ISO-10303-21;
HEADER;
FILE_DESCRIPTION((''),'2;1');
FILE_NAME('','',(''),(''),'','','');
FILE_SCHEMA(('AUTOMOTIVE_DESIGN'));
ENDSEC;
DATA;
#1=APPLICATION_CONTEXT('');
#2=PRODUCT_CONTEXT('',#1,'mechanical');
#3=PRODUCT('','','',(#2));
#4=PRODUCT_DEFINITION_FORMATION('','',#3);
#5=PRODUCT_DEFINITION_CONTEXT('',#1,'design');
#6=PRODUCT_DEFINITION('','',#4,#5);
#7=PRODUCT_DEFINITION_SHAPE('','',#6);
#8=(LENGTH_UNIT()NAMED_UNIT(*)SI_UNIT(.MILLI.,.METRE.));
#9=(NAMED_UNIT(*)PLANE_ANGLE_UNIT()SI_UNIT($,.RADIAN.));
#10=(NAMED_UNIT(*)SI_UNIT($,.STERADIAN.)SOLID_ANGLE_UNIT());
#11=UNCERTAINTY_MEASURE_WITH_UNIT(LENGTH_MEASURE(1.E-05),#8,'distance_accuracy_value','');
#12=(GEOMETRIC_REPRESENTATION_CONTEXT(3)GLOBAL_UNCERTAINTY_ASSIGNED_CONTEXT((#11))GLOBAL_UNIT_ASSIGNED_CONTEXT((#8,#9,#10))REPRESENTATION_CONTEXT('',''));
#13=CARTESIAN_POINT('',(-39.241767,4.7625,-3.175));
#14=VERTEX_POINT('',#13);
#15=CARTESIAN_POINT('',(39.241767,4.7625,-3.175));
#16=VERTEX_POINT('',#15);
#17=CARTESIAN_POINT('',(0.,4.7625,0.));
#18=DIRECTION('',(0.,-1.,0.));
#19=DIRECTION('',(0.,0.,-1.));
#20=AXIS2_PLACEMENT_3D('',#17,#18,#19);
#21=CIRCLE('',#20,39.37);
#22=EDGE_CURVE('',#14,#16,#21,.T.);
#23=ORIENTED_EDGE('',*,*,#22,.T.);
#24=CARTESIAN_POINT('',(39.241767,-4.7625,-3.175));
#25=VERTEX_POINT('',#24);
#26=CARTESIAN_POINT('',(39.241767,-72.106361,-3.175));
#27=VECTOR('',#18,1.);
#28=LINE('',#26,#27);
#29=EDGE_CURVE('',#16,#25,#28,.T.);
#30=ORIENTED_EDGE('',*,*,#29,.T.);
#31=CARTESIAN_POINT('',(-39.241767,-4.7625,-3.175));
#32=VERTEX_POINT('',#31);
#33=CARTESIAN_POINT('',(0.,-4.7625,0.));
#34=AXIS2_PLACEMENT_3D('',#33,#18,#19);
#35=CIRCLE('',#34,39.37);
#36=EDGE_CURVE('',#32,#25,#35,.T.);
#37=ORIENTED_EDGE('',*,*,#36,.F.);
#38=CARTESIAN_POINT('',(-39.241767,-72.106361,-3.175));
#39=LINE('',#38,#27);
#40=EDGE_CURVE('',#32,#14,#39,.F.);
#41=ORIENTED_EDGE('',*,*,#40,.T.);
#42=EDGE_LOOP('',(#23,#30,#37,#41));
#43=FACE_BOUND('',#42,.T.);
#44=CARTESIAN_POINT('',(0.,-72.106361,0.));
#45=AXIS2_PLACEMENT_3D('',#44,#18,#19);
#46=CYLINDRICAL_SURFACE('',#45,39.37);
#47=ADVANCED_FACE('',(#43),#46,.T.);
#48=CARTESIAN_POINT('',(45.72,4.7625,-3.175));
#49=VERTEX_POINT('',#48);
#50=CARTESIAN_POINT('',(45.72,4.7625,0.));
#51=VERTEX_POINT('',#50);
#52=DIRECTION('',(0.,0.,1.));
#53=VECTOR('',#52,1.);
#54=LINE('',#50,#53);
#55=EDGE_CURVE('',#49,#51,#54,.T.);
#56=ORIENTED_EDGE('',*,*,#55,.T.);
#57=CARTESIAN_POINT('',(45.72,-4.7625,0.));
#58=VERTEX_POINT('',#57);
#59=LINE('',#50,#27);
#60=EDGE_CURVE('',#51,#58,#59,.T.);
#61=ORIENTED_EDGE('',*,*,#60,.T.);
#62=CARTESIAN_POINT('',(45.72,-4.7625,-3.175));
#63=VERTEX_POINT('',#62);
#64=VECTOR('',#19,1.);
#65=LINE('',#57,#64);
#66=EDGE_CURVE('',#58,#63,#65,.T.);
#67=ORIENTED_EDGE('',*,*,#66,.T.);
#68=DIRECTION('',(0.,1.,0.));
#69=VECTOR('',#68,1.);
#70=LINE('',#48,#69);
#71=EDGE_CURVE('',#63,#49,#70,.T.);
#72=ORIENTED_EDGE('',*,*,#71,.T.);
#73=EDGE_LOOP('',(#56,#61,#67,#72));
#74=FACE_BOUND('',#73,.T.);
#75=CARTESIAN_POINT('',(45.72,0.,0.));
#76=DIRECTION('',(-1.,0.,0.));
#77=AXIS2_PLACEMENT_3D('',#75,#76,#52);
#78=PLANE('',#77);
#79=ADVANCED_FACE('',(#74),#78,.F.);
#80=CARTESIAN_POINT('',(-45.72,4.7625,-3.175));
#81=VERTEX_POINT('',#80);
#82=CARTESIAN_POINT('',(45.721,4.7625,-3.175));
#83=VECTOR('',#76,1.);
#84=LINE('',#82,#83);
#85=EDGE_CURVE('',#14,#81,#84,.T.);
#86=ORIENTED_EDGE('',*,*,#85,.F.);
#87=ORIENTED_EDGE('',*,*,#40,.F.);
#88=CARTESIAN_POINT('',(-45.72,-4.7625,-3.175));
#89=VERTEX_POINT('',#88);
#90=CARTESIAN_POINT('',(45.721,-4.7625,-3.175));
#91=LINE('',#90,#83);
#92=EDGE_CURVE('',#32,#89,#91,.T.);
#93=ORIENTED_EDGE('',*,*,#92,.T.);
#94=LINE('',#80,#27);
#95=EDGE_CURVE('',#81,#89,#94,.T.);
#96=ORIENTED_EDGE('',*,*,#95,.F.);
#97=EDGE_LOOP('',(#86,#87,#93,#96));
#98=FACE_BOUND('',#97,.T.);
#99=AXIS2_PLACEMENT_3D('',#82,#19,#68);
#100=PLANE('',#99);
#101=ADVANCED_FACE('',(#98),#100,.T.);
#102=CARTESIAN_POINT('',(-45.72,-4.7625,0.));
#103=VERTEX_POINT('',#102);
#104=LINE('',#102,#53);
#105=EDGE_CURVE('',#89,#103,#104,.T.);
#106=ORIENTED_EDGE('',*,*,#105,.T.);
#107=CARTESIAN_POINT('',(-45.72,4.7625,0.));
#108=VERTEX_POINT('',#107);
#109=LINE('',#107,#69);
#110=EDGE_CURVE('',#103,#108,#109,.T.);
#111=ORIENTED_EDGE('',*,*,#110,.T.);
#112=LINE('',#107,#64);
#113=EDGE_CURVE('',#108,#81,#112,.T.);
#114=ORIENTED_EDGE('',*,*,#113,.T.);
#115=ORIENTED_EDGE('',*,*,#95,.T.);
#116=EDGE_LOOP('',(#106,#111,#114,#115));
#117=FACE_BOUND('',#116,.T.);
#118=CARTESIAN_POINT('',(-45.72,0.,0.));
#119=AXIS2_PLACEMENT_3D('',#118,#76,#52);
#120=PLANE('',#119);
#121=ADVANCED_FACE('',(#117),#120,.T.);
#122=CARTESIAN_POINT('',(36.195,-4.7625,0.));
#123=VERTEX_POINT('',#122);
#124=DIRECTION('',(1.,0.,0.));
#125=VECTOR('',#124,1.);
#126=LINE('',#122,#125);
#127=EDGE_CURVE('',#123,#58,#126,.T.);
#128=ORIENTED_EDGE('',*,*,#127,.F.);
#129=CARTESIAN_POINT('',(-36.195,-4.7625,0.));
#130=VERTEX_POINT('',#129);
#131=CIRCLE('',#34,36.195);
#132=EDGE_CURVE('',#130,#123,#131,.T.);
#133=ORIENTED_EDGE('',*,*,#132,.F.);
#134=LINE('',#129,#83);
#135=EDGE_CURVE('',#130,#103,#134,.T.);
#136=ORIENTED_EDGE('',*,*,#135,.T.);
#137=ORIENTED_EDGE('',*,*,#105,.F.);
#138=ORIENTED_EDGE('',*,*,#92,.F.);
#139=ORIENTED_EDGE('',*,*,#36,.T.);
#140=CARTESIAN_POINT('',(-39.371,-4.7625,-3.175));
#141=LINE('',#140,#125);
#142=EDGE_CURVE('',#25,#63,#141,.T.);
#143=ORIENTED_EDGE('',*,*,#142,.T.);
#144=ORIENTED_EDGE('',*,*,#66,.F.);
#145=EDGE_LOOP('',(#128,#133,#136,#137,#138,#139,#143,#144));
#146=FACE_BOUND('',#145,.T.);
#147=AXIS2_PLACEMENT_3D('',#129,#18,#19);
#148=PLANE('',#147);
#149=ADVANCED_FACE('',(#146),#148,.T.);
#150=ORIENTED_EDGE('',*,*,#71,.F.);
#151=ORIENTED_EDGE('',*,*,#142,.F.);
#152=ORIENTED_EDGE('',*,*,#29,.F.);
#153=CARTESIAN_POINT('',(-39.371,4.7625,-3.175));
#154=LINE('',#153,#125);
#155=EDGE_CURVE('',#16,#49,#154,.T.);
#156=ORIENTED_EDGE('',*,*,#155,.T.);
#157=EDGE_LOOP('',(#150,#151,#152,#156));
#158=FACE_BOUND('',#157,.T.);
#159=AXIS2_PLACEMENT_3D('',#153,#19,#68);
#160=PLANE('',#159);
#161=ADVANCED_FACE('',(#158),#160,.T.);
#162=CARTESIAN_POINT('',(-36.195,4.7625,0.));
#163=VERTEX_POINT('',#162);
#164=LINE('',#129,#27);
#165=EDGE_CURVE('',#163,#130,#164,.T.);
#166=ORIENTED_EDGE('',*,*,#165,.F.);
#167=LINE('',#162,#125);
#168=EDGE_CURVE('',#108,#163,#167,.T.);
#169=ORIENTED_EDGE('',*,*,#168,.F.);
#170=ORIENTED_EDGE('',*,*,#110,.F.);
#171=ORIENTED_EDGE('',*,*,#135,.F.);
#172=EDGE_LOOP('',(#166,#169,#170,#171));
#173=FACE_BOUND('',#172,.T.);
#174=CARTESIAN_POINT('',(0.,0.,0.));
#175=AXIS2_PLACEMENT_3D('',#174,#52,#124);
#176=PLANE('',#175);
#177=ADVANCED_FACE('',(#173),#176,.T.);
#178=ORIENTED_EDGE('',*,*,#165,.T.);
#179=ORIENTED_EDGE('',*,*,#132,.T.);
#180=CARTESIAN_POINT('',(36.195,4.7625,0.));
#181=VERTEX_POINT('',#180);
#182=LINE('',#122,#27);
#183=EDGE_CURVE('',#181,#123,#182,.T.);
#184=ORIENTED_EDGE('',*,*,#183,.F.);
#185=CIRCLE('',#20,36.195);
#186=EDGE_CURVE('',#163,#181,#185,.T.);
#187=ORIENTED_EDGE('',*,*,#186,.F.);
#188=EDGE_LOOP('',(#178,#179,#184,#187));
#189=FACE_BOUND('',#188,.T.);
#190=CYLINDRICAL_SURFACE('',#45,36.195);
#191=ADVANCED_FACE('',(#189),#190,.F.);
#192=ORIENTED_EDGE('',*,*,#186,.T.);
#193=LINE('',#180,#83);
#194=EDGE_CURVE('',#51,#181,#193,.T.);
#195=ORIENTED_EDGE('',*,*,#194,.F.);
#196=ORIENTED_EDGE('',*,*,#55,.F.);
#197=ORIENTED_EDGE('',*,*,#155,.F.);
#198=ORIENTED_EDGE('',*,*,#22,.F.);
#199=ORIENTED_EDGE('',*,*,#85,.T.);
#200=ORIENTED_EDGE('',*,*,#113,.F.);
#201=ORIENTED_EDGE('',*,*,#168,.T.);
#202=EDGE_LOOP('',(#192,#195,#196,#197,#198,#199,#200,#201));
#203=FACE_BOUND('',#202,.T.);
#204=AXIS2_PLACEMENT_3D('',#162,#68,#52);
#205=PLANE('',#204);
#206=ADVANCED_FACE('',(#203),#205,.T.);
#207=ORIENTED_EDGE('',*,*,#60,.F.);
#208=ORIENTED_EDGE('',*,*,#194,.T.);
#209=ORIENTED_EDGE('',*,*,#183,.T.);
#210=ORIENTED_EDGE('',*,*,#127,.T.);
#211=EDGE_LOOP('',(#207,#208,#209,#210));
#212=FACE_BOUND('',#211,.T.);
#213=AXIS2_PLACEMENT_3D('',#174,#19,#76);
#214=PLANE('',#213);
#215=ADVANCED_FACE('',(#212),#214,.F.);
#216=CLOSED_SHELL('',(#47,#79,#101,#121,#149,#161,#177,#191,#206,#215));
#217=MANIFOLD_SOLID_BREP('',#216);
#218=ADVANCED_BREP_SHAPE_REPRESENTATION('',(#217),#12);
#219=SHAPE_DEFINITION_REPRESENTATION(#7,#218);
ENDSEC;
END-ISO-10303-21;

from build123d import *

# Parameters (mm, degrees)
SKETCH1_W                = 3.175
SKETCH1_H                = 9.525
REVOLVE1_ANGLE           = 180
BOSS_EXTRUDE1_REACH      = 90.163
BOSS_EXTRUDE1_END_RADIUS = 39.37
SKETCH2_W                = 3.175
SKETCH2_H                = 9.525
SKETCH2_2_W              = 3.175
SKETCH2_2_H              = 9.525
BOSS_EXTRUDE2_DEPTH      = 6.35
BOSS_EXTRUDE3_REACH      = 95.878
BOSS_EXTRUDE3_END_RADIUS = 39.37
SKETCH4_W                = 3.175
SKETCH4_H                = 9.525
SKETCH4_2_W              = 3.175
SKETCH4_2_H              = 9.525
BOSS_EXTRUDE4_DEPTH      = 6.35


with BuildPart() as part:
    # Sketch1 → Revolve1 (revolve)
    with BuildSketch(Plane.XY):
        with Locations((37.7825, 0)):
            Rectangle(SKETCH1_W, SKETCH1_H)
    revolve(axis=Axis((0, -72.106361407, 0), (0, 1, 0)), revolution_arc=REVOLVE1_ANGLE)

    # Boss-Extrude1: up to this cylinder (the profile starts outside it)
    boss_extrude1_end = Plane(origin=(0, 0, 0), z_dir=(0, -1, 0)) * Cylinder(BOSS_EXTRUDE1_END_RADIUS, 260.066, mode=Mode.PRIVATE)
    # Sketch2 → Boss-Extrude1 (add, up to the surface)
    with BuildSketch(Plane(origin=(39.37, 0, 0), x_dir=(0, 0, -1), z_dir=(1, 0, 0)), mode=Mode.PRIVATE) as boss_extrude1_sk1:
        with Locations((1.5875, 0)):
            Rectangle(SKETCH2_W, SKETCH2_H)
    boss_extrude1_tool1 = extrude(boss_extrude1_sk1.sketch, amount=-BOSS_EXTRUDE1_REACH, mode=Mode.PRIVATE) - boss_extrude1_end
    add(boss_extrude1_tool1.solids().sort_by_distance((39.37, 0, -1.5875))[0])

    # Sketch2<2> → Boss-Extrude2 (add)
    with BuildSketch(Plane(origin=(39.37, 0, 0), x_dir=(0, 0, -1), z_dir=(1, 0, 0))):
        with Locations((1.5875, 0)):
            Rectangle(SKETCH2_2_W, SKETCH2_2_H)
    extrude(amount=BOSS_EXTRUDE2_DEPTH)

    # Boss-Extrude3: up to this cylinder (the profile starts outside it)
    boss_extrude3_end = Plane(origin=(0, 0, 0), z_dir=(0, -1, 0)) * Cylinder(BOSS_EXTRUDE3_END_RADIUS, 271.496, mode=Mode.PRIVATE)
    # Sketch4 → Boss-Extrude3 (add, up to the surface)
    with BuildSketch(Plane.ZY.offset(39.37), mode=Mode.PRIVATE) as boss_extrude3_sk1:
        with Locations((-1.5875, 0)):
            Rectangle(SKETCH4_W, SKETCH4_H)
    boss_extrude3_tool1 = extrude(boss_extrude3_sk1.sketch, amount=-BOSS_EXTRUDE3_REACH, mode=Mode.PRIVATE) - boss_extrude3_end
    add(boss_extrude3_tool1.solids().sort_by_distance((-39.37, 0, -1.5875))[0])

    # Sketch4<2> → Boss-Extrude4 (add)
    with BuildSketch(Plane.ZY.offset(39.37)):
        with Locations((-1.5875, 0)):
            Rectangle(SKETCH4_2_W, SKETCH4_2_H)
    extrude(amount=BOSS_EXTRUDE4_DEPTH)


solid = part.part
